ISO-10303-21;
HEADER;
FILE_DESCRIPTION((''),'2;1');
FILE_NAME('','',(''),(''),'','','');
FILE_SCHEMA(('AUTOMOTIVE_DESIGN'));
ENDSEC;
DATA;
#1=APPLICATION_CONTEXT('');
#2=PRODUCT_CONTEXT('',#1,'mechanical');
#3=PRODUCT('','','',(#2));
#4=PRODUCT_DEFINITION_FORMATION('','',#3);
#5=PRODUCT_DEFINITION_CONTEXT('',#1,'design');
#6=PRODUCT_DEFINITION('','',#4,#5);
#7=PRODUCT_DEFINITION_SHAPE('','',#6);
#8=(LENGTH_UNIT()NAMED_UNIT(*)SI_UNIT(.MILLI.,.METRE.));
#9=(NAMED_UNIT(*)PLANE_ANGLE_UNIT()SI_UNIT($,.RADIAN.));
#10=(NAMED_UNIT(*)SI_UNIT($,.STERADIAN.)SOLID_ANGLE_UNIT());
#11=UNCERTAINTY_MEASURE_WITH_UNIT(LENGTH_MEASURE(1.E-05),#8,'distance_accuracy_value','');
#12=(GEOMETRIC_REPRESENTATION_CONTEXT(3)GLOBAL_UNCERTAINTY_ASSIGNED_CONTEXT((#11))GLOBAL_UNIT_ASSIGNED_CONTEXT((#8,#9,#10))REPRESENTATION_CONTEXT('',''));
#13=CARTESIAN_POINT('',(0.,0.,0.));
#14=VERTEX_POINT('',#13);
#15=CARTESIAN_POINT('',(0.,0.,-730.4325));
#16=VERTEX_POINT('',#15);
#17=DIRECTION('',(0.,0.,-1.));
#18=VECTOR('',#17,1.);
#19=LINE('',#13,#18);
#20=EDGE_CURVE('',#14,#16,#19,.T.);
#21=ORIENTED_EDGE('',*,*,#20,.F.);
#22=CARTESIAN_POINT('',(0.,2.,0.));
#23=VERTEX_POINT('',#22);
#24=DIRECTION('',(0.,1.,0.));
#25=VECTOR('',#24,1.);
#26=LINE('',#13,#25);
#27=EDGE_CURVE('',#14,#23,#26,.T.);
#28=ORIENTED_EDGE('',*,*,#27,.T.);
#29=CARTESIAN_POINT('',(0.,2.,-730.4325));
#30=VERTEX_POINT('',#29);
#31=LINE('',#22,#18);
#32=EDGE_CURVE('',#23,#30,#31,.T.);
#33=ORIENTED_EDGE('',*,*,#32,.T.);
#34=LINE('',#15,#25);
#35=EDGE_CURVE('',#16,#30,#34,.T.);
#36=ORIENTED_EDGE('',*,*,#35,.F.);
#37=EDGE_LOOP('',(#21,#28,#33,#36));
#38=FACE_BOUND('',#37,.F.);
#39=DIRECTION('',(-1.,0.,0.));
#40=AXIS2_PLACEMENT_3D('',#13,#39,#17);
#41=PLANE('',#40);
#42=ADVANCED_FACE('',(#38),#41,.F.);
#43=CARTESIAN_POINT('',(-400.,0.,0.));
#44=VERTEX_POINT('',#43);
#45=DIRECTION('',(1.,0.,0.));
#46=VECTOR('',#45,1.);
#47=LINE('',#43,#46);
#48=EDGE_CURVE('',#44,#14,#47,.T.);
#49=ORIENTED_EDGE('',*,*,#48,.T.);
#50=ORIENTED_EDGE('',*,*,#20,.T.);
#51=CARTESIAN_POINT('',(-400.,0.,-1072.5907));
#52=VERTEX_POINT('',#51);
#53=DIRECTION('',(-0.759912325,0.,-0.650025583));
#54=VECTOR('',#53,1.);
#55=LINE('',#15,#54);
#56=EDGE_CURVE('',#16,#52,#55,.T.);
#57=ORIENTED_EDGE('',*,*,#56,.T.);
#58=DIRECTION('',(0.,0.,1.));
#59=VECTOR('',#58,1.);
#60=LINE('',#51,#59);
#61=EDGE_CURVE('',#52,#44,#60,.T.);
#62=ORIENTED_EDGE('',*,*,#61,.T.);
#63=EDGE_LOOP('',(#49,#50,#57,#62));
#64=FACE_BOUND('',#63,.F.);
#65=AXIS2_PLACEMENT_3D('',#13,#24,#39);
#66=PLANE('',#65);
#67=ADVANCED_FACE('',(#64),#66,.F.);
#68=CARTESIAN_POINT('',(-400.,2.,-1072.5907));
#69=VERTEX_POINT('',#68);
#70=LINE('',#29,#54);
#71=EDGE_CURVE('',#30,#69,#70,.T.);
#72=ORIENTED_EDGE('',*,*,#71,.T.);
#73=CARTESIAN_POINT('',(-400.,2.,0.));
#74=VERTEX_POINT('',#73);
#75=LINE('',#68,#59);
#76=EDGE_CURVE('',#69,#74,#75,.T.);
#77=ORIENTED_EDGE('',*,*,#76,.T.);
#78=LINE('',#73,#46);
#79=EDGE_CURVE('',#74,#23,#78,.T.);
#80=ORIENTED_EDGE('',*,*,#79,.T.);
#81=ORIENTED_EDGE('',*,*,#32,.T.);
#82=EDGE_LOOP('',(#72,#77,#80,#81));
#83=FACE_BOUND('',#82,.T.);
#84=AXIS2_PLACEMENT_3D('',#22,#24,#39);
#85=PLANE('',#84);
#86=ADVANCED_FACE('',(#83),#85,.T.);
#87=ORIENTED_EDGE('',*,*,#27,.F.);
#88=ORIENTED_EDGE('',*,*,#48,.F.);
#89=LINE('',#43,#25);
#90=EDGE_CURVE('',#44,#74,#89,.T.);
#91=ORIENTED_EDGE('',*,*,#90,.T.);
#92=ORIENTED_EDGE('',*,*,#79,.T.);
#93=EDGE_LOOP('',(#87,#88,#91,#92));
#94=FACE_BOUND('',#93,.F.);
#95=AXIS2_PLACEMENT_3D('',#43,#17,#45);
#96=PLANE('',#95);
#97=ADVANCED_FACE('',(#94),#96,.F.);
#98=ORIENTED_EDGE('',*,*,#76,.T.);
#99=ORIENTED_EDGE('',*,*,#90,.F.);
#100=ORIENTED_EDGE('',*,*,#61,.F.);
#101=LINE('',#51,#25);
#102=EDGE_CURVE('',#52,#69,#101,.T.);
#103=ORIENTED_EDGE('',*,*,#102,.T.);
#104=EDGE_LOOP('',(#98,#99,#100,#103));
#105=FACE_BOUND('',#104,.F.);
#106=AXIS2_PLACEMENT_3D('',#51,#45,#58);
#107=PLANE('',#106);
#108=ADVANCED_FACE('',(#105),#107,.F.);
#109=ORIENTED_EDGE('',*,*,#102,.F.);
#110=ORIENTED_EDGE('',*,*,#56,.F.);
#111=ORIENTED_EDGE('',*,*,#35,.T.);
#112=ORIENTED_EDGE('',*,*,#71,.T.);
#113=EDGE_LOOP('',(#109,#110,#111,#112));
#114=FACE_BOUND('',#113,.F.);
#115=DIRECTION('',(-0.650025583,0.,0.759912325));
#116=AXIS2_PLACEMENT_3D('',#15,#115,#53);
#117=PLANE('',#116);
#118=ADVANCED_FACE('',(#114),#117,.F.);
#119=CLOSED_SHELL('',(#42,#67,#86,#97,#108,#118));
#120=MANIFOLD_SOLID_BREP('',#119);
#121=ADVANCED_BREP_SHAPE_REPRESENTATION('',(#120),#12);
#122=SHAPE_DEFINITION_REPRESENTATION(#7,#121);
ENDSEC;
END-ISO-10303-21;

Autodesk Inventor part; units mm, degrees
ref_plane "YZ Plane" through (0, 0, 0) normal (1, 0, 0) x (0, 1, 0)
ref_plane "XZ Plane" through (0, 0, 0) normal (0, 1, 0) x (-1, 0, 0)
ref_plane "XY Plane" through (0, 0, 0) normal (0, 0, 1) x (1, 0, 0)
sketch "Sketch1" plane through (0, 0, 0) normal (0, 1, 0) x (-1, 0, 0)
  line L0 (0, 0) -> (0, -730.4325)
  line L1 (0, -730.4325) -> (400, -1072.5907)
  line L2 (400, -1072.5907) -> (400, 0)
  line L3 (400, 0) -> (0, 0)
  dimension "d0" = 730.433
  dimension "d1" = 400
  dimension "d2" = 1072.591
extrude "Plate1" add sketch "Sketch1" along normal blind 2
equation "\"d3\" = Thickness"
equation "\"BendRadius\" = Thickness"
equation "\"BendReliefWidth\" = Thickness"
equation "\"BendReliefDepth\" = 0.5 * Thickness"
equation "\"CornerReliefSize\" = 4 * Thickness"
equation "\"MinimumRemnant\" = 2 * Thickness"
equation "\"TransitionRadius\" = BendRadius"
equation "\"JacobiRadiusSize\" = BendRadius"
equation "\"GapSize\" = Thickness"
equation "\"Thickness\" = 2"
properties part number "МОО 052 гребень 2"
